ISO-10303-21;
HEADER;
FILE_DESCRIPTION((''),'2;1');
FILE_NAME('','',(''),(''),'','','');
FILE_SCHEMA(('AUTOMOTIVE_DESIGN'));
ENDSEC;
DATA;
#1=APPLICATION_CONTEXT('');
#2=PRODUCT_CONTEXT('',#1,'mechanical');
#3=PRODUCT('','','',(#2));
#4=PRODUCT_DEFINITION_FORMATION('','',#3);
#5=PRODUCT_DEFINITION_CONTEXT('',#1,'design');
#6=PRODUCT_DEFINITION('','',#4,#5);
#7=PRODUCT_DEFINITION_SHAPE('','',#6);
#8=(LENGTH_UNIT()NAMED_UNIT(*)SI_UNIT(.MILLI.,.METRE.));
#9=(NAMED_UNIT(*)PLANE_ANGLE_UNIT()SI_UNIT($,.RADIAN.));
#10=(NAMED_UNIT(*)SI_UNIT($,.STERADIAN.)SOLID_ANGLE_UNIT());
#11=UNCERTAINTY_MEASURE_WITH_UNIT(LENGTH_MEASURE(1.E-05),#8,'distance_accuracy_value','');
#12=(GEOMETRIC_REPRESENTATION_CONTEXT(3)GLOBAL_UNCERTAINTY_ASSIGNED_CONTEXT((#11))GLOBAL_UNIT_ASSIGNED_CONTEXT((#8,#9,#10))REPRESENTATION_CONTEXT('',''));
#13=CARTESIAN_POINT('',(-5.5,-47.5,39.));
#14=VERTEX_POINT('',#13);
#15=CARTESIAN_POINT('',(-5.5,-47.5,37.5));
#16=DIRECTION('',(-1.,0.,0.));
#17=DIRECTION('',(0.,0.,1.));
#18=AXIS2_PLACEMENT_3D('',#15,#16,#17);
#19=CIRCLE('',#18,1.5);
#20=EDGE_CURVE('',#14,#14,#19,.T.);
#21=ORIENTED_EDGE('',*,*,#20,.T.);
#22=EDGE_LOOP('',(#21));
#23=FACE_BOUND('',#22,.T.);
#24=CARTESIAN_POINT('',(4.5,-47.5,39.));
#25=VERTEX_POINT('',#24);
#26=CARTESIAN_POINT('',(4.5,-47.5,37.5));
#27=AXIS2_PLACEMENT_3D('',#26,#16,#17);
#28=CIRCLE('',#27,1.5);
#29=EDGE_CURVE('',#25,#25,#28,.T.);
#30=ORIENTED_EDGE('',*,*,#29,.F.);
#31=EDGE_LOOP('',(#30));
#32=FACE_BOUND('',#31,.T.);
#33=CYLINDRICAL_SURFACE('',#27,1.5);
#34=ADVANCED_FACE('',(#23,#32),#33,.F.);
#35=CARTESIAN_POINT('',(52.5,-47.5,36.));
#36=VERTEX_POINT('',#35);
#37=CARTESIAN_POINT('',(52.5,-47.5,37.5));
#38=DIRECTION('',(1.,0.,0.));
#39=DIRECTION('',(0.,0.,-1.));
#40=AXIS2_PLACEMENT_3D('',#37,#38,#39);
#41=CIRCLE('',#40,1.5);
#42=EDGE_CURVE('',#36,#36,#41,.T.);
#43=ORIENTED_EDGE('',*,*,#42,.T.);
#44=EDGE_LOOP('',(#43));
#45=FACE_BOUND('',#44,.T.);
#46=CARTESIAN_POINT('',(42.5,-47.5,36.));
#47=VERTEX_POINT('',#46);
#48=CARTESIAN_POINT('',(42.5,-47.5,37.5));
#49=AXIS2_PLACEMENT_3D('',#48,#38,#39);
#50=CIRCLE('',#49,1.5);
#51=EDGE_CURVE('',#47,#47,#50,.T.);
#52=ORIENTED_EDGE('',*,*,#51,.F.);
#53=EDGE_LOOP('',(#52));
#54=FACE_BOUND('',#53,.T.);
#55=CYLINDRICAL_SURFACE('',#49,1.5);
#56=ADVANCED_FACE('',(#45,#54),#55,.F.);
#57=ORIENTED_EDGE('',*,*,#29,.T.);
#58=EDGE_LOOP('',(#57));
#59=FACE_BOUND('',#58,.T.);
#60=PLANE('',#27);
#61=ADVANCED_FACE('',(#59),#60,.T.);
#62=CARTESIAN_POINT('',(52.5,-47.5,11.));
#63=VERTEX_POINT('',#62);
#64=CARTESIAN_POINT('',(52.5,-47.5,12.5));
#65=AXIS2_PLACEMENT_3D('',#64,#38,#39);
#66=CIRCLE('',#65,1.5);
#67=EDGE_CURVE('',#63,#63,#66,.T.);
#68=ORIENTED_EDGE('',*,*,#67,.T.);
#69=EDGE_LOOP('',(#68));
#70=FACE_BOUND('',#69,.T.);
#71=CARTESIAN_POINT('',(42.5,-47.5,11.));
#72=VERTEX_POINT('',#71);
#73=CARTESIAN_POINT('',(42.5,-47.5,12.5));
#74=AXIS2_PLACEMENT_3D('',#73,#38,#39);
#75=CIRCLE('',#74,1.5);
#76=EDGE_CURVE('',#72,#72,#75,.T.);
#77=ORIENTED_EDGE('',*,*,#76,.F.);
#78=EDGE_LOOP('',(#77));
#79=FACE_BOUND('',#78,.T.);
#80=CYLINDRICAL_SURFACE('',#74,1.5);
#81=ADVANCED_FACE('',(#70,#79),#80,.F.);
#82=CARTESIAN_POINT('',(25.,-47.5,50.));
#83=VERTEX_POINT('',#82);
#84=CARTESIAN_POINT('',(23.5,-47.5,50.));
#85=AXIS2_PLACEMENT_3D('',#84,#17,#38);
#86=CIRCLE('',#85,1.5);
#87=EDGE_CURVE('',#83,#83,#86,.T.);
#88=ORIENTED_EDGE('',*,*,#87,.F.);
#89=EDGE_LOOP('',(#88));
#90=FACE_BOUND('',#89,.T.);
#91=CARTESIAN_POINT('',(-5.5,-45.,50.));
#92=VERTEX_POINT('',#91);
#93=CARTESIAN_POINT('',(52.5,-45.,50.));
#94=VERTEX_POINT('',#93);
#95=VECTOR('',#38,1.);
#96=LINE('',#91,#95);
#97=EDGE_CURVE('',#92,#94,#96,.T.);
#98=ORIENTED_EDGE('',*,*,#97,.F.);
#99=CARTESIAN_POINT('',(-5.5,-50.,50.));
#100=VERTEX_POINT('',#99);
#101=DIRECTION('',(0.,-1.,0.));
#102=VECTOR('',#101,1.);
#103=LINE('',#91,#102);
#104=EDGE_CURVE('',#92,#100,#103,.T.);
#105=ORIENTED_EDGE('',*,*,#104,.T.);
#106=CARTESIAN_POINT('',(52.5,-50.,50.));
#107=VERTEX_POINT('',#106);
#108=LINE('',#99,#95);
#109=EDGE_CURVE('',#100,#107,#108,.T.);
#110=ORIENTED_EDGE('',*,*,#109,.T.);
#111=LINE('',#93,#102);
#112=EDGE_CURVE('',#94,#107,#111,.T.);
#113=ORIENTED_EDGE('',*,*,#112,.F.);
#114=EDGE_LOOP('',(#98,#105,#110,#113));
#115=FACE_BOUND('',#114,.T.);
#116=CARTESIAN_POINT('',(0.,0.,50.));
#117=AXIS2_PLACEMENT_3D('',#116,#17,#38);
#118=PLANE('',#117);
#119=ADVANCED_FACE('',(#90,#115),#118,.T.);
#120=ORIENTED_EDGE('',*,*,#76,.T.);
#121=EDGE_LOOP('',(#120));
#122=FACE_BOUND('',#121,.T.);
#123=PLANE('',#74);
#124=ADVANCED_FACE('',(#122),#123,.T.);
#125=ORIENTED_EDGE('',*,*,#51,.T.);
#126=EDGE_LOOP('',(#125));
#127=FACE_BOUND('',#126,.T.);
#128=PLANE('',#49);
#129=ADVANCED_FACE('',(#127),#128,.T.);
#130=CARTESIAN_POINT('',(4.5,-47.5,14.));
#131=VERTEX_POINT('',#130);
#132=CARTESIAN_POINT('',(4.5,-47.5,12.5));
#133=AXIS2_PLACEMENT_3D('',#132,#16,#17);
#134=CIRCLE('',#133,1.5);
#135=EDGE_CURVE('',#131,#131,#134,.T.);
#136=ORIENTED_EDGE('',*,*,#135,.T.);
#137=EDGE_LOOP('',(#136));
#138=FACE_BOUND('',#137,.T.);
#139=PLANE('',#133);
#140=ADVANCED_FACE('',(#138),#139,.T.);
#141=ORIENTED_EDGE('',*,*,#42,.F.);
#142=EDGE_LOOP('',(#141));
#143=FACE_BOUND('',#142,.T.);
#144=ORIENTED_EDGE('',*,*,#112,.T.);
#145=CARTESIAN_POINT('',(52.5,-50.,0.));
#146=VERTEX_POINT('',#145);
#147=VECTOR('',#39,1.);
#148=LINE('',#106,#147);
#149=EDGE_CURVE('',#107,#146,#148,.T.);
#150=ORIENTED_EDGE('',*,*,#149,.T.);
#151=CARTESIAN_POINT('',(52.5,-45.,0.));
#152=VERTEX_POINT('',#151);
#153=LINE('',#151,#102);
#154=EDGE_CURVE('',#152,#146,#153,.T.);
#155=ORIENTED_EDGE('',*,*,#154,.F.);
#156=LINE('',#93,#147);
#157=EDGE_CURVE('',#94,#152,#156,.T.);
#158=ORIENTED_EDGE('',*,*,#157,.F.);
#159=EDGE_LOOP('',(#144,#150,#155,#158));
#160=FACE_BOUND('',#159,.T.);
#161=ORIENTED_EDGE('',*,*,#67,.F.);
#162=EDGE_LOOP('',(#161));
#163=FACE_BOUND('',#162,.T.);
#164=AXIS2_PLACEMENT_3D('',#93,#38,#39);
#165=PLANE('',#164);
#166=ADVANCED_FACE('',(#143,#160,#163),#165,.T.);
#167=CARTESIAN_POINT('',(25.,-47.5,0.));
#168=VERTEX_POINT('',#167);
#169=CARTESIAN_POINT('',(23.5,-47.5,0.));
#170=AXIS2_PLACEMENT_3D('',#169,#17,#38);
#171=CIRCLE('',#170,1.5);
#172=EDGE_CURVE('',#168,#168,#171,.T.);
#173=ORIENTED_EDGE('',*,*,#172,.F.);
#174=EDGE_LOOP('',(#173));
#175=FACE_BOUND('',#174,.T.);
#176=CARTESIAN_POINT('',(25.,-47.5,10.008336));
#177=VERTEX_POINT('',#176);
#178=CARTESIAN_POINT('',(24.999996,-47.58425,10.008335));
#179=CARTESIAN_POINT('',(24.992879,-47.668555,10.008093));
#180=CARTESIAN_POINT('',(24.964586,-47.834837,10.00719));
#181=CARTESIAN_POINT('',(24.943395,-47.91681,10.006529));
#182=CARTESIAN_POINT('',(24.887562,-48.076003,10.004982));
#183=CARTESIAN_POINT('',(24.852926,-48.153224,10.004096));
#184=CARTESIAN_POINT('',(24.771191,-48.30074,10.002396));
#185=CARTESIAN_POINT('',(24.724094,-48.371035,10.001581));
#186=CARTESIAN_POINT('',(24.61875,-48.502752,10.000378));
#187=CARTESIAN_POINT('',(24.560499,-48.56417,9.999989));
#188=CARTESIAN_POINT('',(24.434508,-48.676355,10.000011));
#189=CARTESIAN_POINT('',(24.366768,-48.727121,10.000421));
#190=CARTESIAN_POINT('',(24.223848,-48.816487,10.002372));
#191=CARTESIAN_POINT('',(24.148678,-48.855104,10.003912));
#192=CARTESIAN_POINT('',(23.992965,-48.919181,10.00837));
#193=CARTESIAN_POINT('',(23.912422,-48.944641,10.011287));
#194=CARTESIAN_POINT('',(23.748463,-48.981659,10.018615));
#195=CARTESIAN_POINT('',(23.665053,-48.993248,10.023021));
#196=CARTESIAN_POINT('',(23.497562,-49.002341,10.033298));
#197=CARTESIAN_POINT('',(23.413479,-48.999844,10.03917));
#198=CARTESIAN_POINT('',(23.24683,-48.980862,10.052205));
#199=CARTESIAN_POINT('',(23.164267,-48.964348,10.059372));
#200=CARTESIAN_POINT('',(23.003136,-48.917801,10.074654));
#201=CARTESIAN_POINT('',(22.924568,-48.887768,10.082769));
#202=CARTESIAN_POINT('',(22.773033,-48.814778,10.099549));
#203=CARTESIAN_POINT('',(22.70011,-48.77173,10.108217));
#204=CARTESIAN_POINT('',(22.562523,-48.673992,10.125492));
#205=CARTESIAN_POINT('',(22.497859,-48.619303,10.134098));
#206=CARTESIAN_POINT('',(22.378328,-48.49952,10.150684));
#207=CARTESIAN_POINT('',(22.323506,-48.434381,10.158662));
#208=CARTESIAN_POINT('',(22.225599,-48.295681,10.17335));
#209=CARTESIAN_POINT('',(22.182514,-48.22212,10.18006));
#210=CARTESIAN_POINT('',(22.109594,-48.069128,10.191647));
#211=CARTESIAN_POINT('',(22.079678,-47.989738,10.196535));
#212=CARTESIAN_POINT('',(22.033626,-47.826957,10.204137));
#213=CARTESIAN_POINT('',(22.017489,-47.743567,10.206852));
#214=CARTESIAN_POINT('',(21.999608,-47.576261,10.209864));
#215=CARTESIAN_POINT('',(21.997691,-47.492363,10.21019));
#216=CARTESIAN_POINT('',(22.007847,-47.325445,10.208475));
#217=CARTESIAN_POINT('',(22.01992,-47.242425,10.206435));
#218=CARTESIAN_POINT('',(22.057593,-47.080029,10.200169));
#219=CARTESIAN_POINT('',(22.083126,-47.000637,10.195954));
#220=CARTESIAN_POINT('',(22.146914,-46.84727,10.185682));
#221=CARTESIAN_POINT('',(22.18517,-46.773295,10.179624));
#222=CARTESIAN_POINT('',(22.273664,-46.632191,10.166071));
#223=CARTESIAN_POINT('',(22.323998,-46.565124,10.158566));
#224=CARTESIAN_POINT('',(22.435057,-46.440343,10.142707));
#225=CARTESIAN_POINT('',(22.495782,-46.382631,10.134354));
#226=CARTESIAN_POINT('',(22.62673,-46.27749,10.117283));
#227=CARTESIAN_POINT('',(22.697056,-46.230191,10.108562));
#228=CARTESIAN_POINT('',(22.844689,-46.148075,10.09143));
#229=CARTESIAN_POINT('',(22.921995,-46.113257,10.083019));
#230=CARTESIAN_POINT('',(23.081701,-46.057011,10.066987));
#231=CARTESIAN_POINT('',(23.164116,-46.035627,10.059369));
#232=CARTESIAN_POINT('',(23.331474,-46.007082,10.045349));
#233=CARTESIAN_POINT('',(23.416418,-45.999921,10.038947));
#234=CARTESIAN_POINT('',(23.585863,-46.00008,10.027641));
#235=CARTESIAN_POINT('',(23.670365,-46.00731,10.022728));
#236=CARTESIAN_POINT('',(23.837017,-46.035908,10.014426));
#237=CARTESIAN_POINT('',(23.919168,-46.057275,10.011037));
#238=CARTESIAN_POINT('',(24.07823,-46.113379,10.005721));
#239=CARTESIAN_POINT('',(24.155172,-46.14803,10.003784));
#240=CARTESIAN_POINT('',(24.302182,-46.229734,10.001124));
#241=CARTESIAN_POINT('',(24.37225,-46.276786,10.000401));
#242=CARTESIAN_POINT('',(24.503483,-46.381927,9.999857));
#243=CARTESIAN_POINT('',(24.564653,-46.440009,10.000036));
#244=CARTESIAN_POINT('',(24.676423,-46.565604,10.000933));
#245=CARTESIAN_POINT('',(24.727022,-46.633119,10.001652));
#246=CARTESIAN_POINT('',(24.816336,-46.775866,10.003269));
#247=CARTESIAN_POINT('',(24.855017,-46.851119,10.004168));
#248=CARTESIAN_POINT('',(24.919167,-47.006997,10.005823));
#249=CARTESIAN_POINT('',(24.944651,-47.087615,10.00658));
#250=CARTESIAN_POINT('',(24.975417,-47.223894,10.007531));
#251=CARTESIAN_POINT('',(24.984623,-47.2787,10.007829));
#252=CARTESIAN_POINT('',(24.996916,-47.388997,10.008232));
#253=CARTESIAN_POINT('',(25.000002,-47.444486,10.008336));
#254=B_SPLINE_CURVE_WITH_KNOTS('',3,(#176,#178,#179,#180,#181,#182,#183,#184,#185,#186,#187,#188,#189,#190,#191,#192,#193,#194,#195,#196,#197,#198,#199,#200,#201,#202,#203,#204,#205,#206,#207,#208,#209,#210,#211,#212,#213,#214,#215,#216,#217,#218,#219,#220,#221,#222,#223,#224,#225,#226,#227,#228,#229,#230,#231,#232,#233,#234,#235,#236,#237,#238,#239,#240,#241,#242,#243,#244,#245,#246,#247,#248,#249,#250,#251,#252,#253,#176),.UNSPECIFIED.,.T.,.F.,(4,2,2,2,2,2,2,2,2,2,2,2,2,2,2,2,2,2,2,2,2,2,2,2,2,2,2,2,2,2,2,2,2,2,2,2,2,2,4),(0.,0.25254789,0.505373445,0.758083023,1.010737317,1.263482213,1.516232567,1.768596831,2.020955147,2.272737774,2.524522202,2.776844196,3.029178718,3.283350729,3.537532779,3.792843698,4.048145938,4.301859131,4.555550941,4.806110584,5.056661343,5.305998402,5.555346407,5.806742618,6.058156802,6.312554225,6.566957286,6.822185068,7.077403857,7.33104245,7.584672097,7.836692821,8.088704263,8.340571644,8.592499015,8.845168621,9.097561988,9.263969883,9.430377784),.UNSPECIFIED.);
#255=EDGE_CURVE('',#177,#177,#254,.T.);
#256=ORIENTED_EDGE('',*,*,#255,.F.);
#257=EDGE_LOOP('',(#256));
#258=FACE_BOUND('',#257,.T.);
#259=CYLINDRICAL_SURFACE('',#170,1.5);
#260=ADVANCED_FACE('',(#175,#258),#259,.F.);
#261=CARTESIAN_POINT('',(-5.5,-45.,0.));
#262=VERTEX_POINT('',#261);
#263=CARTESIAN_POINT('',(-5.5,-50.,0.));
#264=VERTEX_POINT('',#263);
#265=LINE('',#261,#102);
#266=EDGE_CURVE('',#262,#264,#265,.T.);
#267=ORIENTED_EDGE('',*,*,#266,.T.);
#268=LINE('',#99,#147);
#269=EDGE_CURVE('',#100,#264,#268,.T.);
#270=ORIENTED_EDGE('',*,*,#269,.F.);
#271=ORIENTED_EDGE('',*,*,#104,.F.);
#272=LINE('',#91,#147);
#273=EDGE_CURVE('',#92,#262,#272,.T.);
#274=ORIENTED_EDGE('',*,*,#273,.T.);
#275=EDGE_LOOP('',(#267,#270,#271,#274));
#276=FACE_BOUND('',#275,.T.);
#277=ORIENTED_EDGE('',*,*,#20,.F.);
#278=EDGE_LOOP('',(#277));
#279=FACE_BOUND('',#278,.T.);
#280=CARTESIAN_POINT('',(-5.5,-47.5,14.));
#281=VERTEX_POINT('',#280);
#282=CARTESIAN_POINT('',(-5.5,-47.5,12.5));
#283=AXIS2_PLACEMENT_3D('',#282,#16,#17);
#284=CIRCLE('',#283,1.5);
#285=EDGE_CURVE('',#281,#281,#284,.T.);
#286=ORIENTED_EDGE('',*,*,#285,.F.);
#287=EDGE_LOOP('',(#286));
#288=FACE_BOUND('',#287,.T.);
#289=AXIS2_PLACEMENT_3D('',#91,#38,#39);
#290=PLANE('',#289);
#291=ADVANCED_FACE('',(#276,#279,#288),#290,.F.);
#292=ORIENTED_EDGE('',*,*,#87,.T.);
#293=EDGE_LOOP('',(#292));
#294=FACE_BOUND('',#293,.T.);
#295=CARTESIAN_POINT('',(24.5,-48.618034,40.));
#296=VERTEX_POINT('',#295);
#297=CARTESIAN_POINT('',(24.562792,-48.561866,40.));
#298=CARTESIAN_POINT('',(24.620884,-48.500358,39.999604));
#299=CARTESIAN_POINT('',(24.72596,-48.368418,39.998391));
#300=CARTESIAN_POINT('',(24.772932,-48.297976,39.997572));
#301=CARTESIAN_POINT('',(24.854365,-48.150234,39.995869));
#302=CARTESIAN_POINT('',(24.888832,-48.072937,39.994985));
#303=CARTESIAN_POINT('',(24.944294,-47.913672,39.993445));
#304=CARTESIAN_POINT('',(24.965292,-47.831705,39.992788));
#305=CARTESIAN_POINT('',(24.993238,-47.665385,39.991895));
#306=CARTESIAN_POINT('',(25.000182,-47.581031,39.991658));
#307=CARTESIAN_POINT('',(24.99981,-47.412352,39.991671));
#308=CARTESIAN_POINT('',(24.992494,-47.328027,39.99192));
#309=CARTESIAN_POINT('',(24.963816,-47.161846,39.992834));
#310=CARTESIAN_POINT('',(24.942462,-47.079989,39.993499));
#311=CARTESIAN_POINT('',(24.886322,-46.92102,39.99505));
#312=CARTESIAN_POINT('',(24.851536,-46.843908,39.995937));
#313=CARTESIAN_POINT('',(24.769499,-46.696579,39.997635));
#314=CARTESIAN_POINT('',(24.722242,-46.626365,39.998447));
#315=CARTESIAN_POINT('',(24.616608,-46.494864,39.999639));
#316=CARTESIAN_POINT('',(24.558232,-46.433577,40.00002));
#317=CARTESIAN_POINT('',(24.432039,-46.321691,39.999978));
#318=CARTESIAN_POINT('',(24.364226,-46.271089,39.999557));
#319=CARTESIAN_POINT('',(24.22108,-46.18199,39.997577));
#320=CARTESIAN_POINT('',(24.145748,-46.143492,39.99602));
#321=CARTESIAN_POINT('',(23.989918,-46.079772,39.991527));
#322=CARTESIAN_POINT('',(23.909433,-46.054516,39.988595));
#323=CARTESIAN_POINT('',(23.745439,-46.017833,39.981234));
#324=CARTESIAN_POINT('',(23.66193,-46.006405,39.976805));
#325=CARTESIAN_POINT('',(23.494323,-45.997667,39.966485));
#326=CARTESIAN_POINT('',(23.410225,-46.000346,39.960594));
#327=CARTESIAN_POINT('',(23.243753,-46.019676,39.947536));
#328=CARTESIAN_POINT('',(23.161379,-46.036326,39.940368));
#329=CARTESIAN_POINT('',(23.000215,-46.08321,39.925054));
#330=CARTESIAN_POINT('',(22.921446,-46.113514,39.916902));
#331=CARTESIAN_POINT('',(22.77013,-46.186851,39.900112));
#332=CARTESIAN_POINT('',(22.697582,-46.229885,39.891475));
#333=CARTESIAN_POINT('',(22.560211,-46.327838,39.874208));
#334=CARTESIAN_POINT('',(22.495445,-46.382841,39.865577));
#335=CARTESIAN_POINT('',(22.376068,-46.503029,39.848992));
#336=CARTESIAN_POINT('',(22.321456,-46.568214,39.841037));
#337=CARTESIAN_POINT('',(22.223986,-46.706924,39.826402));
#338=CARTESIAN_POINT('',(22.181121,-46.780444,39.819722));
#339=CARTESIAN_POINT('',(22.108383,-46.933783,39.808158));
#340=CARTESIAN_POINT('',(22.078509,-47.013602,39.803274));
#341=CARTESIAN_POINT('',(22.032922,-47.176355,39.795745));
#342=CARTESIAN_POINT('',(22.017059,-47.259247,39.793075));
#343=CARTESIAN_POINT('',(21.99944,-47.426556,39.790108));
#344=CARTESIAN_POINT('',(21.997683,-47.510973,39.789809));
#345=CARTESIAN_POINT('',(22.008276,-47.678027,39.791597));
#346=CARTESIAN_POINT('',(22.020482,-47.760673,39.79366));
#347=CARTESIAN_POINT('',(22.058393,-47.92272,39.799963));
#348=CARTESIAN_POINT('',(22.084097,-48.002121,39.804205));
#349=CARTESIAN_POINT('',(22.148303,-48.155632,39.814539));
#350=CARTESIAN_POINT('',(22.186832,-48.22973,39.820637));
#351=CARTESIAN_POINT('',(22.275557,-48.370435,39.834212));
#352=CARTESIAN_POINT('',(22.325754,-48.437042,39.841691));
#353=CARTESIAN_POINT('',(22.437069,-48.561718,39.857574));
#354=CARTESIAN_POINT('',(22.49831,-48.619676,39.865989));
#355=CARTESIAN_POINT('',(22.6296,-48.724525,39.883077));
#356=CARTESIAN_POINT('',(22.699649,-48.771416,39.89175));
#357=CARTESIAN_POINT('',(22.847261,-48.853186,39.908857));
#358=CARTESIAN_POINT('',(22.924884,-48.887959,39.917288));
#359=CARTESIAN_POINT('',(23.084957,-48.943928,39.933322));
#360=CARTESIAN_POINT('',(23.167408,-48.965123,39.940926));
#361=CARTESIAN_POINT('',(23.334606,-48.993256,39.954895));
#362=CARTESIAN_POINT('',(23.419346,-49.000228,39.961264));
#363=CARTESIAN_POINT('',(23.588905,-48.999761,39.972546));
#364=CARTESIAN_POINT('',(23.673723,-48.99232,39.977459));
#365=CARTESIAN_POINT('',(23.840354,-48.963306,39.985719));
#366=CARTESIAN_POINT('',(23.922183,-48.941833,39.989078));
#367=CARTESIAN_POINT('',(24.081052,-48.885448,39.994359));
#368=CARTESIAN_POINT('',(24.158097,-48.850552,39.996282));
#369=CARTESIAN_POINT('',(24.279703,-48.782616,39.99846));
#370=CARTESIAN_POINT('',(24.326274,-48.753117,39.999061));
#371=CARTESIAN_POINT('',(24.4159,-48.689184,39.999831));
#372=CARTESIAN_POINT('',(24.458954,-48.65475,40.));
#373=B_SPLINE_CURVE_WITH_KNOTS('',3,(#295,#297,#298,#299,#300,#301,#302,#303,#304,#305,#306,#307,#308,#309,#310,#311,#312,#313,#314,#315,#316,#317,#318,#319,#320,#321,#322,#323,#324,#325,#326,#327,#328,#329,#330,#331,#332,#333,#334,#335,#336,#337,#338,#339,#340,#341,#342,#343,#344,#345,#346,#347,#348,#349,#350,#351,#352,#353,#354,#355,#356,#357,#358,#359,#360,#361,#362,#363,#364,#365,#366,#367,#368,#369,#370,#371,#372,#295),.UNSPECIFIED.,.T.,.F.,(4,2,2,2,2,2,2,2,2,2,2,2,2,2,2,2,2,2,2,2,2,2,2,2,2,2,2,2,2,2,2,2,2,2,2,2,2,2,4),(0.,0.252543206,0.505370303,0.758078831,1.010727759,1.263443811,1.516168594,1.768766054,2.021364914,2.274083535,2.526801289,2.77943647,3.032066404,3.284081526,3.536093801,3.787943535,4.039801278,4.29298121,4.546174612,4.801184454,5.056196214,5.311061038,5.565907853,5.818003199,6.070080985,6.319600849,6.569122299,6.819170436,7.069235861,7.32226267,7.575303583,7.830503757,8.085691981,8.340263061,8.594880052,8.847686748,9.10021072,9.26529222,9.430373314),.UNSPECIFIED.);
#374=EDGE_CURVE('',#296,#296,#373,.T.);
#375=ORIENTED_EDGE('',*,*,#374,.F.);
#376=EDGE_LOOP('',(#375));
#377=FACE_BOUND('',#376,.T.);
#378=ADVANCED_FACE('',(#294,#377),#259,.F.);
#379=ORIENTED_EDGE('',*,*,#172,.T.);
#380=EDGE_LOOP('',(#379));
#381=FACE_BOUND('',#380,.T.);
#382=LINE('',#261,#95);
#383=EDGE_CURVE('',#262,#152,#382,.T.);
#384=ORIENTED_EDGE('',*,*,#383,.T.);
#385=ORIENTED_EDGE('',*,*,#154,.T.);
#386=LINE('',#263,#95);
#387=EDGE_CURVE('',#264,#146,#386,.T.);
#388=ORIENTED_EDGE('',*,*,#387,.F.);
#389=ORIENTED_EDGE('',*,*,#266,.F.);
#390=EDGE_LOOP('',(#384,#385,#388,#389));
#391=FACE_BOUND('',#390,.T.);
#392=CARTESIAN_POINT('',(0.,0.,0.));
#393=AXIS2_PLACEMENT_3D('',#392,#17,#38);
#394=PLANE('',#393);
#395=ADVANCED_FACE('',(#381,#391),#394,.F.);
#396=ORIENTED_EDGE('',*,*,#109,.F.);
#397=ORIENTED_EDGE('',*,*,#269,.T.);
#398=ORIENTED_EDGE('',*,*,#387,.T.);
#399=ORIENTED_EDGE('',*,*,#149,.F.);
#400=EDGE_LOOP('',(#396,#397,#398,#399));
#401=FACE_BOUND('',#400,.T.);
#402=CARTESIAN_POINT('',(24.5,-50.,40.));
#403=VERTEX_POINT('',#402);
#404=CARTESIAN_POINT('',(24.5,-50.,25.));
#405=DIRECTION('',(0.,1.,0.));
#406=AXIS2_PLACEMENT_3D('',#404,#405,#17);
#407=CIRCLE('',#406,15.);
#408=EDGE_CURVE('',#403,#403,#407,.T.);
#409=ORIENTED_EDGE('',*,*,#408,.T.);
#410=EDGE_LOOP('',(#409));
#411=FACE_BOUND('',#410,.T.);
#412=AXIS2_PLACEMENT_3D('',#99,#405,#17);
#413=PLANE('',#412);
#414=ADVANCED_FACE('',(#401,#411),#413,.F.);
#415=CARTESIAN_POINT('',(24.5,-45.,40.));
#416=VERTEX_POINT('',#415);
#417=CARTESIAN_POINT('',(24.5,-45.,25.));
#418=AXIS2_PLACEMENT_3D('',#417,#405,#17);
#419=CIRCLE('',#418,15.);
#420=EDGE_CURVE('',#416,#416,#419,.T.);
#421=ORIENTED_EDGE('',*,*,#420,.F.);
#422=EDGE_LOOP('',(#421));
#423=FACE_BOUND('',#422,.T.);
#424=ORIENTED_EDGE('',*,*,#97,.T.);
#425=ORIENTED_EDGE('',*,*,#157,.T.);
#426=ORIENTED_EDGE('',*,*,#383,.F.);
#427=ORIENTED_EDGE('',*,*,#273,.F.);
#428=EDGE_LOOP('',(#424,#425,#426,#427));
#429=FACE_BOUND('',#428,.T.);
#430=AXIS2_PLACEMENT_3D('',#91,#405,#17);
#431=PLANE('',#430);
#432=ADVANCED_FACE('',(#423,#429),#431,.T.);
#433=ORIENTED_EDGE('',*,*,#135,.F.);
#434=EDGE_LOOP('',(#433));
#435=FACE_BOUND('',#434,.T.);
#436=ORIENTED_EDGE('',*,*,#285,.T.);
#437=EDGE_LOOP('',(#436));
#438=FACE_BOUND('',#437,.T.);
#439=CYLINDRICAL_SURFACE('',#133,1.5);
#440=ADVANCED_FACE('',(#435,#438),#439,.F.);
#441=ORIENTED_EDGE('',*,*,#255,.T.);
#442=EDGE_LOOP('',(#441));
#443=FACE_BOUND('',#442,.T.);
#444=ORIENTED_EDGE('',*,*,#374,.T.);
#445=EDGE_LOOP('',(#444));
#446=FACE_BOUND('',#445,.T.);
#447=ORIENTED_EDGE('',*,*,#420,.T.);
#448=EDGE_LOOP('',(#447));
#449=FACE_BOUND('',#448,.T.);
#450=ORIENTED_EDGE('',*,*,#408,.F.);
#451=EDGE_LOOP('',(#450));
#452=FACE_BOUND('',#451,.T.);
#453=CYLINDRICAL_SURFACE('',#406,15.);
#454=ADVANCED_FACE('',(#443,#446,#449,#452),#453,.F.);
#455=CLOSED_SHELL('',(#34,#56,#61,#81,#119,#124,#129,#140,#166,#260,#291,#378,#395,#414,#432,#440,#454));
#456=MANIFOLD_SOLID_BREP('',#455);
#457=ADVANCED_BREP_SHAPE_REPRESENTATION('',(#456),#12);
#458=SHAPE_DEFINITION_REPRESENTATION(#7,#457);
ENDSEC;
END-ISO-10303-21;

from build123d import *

# Parameters (mm, degrees)
ESQUISSE1_W             = 58
ESQUISSE1_H             = 5
BOSS_EXTRU_1_DEPTH      = 50
ESQUISSE2_R             = 15
ENL_V_MAT_EXTRU_1_DEPTH = 6
ESQUISSE3_R             = 1.5
ENL_V_MAT_EXTRU_2_DEPTH = 10
ESQUISSE4_R             = 1.5
ENL_V_MAT_EXTRU_3_DEPTH = 10
ESQUISSE5_R             = 1.5
ENL_V_MAT_EXTRU_4_DEPTH = 51


with BuildPart() as part:
    # Esquisse1 → Boss.-Extru.1 (new body)
    with BuildSketch(Plane.XY):
        with Locations((23.5, -47.5)):
            Rectangle(ESQUISSE1_W, ESQUISSE1_H)
    extrude(amount=BOSS_EXTRU_1_DEPTH)

    # Esquisse2 → Enlèv. mat.-Extru.1 (cut, through all)
    with BuildSketch(Plane(origin=(0, -45, 0), x_dir=(-1, 0, 0), z_dir=(0, 1, 0))):
        with Locations((-24.5, 25)):
            Circle(ESQUISSE2_R)
    extrude(amount=-ENL_V_MAT_EXTRU_1_DEPTH, mode=Mode.SUBTRACT)

    # Esquisse3 → Enlèv. mat.-Extru.2 (cut)
    with BuildSketch(Plane.ZY.offset(5.5)):
        with Locations((12.5, -47.5)):
            Circle(ESQUISSE3_R)
        with Locations((37.5, -47.5)):
            Circle(ESQUISSE3_R)
    extrude(amount=-ENL_V_MAT_EXTRU_2_DEPTH, mode=Mode.SUBTRACT)

    # Esquisse4 → Enlèv. mat.-Extru.3 (cut)
    with BuildSketch(Plane(origin=(52.5, 0, 0), x_dir=(0, 0, -1), z_dir=(1, 0, 0))):
        with Locations((-37.5, -47.5)):
            Circle(ESQUISSE4_R)
        with Locations((-12.5, -47.5)):
            Circle(ESQUISSE4_R)
    extrude(amount=-ENL_V_MAT_EXTRU_3_DEPTH, mode=Mode.SUBTRACT)

    # Esquisse5 → Enlèv. mat.-Extru.4 (cut, through all)
    with BuildSketch(Plane.XY.offset(50)):
        with Locations((23.5, -47.5)):
            Circle(ESQUISSE5_R)
    extrude(amount=-ENL_V_MAT_EXTRU_4_DEPTH, mode=Mode.SUBTRACT)


solid = part.part
